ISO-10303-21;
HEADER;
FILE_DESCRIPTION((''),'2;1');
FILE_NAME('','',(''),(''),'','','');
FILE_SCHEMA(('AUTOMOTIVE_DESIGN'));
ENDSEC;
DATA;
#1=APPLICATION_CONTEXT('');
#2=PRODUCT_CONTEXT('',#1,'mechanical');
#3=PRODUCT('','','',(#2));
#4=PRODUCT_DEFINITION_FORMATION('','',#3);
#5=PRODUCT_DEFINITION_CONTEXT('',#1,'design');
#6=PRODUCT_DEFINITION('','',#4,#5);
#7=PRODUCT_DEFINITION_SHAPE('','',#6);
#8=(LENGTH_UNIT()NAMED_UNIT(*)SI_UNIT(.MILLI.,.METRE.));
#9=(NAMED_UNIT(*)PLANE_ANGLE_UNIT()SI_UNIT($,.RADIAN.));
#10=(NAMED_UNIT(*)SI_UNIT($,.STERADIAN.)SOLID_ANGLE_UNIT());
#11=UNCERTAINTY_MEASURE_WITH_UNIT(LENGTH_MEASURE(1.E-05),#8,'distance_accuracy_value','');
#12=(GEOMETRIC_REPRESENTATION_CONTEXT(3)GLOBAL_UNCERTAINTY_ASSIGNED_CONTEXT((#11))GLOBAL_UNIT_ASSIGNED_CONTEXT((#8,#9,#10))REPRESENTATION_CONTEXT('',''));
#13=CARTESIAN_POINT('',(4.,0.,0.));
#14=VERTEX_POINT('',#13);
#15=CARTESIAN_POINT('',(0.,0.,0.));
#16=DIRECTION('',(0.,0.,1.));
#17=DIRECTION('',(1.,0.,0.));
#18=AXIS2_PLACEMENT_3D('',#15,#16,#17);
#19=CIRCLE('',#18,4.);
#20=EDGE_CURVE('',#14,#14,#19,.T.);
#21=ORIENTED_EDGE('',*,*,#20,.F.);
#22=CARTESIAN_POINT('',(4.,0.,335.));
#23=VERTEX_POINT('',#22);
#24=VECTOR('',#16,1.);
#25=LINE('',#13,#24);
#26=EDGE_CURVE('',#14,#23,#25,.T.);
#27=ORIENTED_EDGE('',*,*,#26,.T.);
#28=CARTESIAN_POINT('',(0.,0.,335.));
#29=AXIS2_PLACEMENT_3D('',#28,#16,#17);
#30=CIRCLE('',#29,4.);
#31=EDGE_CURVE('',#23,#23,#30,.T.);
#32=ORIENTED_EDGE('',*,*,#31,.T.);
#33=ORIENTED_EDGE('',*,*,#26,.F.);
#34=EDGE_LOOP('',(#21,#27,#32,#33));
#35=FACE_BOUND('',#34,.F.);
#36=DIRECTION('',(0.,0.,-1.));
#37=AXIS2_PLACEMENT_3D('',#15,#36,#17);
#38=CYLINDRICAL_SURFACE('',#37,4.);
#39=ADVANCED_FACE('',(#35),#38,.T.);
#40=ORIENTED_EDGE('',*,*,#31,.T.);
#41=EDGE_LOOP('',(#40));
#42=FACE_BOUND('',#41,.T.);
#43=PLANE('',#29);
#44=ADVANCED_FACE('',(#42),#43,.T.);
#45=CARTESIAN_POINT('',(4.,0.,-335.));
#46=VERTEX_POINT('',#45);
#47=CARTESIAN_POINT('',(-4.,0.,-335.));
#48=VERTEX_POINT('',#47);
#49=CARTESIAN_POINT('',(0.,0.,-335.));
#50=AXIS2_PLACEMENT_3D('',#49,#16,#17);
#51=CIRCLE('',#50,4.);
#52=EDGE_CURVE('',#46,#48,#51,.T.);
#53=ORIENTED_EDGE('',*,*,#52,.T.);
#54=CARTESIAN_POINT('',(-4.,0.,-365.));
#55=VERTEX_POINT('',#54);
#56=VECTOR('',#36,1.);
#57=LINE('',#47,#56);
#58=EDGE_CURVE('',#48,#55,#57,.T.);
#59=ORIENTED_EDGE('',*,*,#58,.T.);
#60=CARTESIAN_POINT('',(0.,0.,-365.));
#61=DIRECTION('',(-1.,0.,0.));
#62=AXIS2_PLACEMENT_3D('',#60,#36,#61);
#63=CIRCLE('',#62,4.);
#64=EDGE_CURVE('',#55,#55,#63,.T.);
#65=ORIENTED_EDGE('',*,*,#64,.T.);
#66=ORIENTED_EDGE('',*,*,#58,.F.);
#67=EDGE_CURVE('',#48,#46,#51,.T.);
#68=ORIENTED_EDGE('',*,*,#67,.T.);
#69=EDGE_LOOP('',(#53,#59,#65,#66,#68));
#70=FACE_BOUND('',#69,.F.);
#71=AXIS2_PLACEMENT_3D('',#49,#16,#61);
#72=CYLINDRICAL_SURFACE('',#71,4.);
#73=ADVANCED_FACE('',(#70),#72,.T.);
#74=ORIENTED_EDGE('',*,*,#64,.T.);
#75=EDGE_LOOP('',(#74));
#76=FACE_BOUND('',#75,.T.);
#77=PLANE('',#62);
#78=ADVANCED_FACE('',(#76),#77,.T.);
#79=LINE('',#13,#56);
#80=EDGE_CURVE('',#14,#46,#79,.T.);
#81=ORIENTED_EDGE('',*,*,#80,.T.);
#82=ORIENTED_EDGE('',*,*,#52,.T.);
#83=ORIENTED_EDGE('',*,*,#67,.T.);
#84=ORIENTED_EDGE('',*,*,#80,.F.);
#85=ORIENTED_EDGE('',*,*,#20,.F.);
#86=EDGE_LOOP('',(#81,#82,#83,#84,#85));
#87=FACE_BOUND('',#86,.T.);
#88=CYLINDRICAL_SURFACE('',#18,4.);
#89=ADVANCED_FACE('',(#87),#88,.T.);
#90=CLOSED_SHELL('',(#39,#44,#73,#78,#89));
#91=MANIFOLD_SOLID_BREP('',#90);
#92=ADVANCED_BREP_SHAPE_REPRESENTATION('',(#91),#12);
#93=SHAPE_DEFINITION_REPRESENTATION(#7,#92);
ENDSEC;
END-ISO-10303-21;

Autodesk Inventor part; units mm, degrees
ref_plane "YZ Plane" through (0, 0, 0) normal (1, 0, 0) x (0, 1, 0)
ref_plane "XZ Plane" through (0, 0, 0) normal (0, 1, 0) x (-1, 0, 0)
ref_plane "XY Plane" through (0, 0, 0) normal (0, 0, 1) x (1, 0, 0)
sketch "Sketch1" plane through (0, 0, 0) normal (0, 0, 1) x (1, 0, 0)
  circle A0 centre (0, 0) radius 4
  dimension "d0" = 8
extrude "Extrusion1" add sketch "Sketch1" along normal mid plane 670
sketch "Sketch2" plane through (0, 0, -335) normal (0, 0, -1) x (-1, 0, 0)
  circle A0 centre (0, 0) radius 4
  dimension "d3" = 8
extrude "Extrusion2" add sketch "Sketch2" along normal blind 30
properties part number "TORNILLO DEPOTENCIA"
